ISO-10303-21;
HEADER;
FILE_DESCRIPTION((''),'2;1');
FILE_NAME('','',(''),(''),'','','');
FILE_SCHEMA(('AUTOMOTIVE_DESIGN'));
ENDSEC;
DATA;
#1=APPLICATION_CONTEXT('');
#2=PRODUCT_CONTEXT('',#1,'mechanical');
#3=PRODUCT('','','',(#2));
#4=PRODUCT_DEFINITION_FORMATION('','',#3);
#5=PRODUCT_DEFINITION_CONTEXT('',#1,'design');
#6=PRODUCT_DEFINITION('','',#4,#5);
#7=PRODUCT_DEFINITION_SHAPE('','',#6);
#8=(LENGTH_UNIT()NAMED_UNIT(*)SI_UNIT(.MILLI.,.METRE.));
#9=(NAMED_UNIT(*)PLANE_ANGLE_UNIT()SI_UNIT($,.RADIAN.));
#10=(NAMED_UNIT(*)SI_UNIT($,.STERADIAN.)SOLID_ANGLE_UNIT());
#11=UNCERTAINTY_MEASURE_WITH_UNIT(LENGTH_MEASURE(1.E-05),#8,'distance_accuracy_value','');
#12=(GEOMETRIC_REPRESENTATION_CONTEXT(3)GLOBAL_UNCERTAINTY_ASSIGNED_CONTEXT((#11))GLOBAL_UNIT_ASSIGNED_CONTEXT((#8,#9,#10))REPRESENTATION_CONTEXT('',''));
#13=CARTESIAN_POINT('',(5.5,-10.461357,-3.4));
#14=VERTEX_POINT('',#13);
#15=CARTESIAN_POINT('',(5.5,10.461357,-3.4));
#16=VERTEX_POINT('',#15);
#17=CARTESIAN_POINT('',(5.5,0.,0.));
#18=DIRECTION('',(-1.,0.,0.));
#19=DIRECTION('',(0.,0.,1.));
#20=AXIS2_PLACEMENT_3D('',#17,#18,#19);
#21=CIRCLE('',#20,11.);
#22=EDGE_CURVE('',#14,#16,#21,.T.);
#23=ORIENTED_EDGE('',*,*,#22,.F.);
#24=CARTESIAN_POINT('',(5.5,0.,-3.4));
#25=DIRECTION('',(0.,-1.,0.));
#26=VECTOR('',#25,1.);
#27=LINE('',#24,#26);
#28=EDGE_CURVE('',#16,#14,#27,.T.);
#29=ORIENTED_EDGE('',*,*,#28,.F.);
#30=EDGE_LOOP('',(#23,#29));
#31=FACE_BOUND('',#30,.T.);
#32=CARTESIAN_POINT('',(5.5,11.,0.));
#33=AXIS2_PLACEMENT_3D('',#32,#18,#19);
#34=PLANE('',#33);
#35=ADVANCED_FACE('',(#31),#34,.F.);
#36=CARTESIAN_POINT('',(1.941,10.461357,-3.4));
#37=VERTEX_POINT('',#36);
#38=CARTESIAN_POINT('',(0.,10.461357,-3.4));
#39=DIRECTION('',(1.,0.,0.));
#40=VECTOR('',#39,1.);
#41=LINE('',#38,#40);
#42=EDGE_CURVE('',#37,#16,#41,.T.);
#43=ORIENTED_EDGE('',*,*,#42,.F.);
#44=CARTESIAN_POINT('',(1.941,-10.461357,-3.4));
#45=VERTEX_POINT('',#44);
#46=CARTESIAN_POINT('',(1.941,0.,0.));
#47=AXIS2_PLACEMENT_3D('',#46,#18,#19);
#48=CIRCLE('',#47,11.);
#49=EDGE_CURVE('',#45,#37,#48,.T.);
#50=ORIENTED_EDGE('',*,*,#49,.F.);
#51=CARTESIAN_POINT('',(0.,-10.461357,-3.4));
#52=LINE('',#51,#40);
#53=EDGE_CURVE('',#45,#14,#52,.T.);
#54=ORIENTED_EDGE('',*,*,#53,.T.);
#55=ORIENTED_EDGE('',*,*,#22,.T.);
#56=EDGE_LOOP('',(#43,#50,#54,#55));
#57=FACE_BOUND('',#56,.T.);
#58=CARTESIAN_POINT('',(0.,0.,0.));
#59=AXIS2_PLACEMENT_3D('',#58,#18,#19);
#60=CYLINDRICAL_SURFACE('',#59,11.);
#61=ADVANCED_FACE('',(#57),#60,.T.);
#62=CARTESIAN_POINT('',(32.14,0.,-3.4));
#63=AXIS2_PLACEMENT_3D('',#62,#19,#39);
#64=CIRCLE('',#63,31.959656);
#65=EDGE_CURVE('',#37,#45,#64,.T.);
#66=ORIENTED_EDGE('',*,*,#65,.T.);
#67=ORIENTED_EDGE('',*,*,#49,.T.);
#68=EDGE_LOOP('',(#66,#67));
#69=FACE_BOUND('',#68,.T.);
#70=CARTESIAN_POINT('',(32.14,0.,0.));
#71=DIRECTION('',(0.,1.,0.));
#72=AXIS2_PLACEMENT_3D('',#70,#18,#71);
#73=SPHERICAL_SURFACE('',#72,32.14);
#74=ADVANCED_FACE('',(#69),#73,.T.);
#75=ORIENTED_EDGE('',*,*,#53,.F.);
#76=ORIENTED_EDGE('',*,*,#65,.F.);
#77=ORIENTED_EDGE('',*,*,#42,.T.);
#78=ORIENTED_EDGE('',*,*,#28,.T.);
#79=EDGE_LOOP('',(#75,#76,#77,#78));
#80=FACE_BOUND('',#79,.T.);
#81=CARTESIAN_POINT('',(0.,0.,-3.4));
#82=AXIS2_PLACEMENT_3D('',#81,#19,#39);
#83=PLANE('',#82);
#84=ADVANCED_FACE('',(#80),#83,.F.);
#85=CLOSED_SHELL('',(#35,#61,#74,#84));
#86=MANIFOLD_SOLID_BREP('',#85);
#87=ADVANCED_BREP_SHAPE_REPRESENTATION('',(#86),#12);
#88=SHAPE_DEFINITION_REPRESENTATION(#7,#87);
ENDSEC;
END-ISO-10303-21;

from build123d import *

# Parameters (mm, degrees)
CUT_EXTRUDE_1_DEPTH = 6.5


with BuildPart() as part:
    # Эскиз1 → Повернуть1 (revolve)
    with BuildSketch(Plane.XY):
        with BuildLine():
            Line((1.941000017, 11), (5.5, 11))
            Line((5.5, 11), (5.5, 0))
            Line((5.5, 0), (0, 0))
            ThreePointArc((0, 0), (0.488969531, 5.584968242), (1.941000017, 11))
        make_face()
    revolve(axis=Axis((0, 0, 0), (1, 0, 0)))

    # Эскиз2 → Вырез-Вытянуть1 (cut, through all)
    with BuildSketch(Plane(origin=(5.5, 0, 0), x_dir=(0, 0, -1), z_dir=(1, 0, 0))):
        Polygon((3.4, 72.15080955), (3.4, 10.461357464), (3.4, -10.461357464), (3.4, -72.15080955), (126.778904171, -72.15080955), (126.778904171, 72.15080955), align=None)
    extrude(amount=-CUT_EXTRUDE_1_DEPTH, mode=Mode.SUBTRACT)


solid = part.part
